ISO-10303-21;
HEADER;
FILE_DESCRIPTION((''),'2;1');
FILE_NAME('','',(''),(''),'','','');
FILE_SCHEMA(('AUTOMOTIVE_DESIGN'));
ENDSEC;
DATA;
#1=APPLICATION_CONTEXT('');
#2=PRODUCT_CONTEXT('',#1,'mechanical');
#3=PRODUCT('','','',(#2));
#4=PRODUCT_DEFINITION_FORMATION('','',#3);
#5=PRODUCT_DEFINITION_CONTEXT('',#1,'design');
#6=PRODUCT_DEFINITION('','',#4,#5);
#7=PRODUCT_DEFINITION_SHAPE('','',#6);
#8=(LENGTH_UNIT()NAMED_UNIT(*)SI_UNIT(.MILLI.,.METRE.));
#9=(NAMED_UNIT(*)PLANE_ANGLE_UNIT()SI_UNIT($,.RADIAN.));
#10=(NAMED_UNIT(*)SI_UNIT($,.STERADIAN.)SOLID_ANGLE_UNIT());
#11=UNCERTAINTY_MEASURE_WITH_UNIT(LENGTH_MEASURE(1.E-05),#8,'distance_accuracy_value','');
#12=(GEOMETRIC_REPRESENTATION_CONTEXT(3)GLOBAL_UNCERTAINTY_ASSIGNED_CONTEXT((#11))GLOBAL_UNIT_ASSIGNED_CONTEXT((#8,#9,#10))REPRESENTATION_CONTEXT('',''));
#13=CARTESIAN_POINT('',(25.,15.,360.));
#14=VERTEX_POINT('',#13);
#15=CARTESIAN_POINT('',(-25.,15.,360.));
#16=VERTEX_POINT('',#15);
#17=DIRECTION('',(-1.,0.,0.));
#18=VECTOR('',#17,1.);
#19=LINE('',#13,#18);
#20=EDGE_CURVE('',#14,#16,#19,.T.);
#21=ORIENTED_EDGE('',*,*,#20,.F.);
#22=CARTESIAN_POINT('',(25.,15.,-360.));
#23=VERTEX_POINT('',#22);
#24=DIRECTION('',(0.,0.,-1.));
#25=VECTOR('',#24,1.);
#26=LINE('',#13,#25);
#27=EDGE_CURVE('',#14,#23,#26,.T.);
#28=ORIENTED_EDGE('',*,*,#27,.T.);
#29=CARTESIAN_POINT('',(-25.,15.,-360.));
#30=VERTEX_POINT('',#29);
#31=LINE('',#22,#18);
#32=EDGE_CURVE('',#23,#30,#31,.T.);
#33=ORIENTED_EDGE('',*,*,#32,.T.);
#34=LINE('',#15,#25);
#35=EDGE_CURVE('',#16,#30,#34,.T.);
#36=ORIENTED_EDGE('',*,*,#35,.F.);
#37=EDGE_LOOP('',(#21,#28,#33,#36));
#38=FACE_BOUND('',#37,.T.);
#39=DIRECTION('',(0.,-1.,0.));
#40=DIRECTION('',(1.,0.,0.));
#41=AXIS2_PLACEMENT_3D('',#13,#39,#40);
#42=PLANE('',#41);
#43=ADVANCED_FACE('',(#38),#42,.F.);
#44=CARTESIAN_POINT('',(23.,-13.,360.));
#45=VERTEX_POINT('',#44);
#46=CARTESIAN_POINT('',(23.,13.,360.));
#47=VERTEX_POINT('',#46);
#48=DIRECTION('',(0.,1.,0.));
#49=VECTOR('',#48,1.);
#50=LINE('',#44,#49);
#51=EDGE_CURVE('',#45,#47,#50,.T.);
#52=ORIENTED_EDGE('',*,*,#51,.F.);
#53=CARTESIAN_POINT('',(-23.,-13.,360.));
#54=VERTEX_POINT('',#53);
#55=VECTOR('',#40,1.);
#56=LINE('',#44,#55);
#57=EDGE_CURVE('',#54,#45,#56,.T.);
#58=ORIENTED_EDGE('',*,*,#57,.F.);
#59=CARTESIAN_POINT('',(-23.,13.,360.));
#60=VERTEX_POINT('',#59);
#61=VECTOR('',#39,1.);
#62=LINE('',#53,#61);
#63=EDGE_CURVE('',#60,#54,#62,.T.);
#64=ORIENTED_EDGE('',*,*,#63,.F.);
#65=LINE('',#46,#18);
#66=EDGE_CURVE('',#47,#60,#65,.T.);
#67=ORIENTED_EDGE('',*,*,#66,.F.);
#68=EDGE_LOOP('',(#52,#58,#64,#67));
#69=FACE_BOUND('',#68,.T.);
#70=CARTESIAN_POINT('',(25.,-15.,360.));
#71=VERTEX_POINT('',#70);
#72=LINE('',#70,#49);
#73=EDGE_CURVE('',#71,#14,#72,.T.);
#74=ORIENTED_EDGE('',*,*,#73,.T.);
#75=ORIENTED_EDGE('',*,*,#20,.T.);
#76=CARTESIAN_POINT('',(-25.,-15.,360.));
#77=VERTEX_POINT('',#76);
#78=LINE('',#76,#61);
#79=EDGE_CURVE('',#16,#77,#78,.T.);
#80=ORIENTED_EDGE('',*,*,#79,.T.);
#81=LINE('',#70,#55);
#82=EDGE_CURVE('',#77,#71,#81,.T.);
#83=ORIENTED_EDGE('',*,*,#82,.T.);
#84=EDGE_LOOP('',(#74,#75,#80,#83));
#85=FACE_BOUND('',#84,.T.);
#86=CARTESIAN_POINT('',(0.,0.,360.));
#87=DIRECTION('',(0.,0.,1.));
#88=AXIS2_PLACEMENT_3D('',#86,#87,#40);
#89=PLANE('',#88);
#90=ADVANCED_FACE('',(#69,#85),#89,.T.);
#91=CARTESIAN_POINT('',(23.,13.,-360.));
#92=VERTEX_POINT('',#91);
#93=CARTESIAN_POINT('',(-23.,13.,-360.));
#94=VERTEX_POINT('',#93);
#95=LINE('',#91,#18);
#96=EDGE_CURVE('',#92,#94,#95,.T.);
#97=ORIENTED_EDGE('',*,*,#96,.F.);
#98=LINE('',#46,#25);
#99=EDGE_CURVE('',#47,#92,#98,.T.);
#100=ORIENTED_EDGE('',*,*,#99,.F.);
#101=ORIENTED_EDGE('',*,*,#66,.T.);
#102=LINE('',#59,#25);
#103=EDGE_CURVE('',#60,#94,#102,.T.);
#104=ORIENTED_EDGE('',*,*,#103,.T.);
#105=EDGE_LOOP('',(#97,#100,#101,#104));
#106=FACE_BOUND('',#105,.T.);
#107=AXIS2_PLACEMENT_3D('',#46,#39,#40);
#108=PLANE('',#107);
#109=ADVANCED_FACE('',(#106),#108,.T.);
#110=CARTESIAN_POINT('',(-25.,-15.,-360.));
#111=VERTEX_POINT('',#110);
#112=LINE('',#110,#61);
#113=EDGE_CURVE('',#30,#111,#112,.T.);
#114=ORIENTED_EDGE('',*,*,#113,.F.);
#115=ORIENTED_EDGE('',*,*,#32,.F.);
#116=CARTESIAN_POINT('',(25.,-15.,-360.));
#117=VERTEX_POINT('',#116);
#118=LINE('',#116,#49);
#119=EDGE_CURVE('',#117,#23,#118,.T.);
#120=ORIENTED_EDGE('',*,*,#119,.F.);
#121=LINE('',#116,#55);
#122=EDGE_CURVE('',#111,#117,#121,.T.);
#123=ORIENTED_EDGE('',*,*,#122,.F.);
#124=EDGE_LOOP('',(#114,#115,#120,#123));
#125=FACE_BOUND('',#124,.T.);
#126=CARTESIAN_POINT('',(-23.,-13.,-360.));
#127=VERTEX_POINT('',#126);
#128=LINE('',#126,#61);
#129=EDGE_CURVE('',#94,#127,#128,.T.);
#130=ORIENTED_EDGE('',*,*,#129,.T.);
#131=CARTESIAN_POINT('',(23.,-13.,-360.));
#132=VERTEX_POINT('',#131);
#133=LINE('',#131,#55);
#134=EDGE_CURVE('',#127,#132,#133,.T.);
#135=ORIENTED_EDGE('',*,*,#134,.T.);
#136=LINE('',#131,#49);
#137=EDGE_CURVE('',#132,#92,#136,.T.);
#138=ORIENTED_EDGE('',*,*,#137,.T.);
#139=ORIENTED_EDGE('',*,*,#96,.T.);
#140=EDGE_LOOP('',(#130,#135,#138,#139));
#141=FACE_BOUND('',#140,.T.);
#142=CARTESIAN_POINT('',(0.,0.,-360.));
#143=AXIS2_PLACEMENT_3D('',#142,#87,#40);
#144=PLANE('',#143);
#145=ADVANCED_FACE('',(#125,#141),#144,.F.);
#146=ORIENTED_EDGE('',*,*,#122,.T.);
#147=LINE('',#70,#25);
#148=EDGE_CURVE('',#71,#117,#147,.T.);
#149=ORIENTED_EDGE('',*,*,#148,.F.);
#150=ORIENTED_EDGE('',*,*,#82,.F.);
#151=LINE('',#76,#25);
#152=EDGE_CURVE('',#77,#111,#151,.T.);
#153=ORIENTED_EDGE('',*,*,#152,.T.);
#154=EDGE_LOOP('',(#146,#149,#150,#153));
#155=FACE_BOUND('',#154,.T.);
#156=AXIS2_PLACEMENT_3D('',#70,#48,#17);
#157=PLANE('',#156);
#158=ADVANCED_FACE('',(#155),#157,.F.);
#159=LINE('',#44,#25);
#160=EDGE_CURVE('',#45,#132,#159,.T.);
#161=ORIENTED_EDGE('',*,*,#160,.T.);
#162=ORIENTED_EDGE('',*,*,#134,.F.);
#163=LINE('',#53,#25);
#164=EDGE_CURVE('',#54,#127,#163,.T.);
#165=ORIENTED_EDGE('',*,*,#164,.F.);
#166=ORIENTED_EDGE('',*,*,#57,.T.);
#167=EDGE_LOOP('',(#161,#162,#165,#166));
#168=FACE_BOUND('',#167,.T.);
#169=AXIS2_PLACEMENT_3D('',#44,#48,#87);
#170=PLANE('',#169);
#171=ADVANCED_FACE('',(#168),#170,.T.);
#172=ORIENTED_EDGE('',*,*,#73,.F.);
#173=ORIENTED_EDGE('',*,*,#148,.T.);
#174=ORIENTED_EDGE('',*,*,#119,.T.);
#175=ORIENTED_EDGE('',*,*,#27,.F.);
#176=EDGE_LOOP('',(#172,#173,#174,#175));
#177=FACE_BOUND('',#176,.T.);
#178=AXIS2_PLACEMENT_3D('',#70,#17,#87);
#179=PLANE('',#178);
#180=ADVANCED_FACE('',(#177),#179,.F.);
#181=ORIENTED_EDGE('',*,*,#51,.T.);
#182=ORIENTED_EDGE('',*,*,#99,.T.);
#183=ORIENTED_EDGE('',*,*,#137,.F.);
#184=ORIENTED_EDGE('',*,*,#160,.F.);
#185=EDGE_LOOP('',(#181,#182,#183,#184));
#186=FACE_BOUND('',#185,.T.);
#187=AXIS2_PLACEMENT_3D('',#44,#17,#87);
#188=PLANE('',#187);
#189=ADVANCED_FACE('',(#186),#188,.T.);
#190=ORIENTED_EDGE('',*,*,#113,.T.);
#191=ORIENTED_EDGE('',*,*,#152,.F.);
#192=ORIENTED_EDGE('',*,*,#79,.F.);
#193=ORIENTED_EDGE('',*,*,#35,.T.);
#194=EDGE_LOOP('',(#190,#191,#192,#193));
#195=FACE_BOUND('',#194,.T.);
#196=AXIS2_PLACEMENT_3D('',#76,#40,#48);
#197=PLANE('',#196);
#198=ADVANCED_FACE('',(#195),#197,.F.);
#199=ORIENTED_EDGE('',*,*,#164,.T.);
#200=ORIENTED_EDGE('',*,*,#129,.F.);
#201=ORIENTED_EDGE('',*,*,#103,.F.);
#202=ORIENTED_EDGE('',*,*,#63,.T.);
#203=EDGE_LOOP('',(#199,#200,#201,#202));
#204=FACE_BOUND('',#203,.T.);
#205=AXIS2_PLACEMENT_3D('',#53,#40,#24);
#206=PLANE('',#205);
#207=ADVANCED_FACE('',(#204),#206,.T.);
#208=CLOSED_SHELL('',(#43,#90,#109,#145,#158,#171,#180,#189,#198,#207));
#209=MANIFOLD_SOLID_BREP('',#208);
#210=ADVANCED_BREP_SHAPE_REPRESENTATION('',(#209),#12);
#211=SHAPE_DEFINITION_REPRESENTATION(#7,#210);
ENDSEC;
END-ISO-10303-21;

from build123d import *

# Parameters (mm, degrees)
SKETCH1_W           = 50
SKETCH1_H           = 30
SKETCH1_W_2         = 46
SKETCH1_H_2         = 26
BOSS_EXTRUDE1_DEPTH = 360


with BuildPart() as part:
    # Sketch1 → Boss-Extrude1 (new, symmetric)
    with BuildSketch(Plane.XY):
        Rectangle(SKETCH1_W, SKETCH1_H)
        Rectangle(SKETCH1_W_2, SKETCH1_H_2, mode=Mode.SUBTRACT)
    extrude(amount=BOSS_EXTRUDE1_DEPTH, both=True)


solid = part.part
